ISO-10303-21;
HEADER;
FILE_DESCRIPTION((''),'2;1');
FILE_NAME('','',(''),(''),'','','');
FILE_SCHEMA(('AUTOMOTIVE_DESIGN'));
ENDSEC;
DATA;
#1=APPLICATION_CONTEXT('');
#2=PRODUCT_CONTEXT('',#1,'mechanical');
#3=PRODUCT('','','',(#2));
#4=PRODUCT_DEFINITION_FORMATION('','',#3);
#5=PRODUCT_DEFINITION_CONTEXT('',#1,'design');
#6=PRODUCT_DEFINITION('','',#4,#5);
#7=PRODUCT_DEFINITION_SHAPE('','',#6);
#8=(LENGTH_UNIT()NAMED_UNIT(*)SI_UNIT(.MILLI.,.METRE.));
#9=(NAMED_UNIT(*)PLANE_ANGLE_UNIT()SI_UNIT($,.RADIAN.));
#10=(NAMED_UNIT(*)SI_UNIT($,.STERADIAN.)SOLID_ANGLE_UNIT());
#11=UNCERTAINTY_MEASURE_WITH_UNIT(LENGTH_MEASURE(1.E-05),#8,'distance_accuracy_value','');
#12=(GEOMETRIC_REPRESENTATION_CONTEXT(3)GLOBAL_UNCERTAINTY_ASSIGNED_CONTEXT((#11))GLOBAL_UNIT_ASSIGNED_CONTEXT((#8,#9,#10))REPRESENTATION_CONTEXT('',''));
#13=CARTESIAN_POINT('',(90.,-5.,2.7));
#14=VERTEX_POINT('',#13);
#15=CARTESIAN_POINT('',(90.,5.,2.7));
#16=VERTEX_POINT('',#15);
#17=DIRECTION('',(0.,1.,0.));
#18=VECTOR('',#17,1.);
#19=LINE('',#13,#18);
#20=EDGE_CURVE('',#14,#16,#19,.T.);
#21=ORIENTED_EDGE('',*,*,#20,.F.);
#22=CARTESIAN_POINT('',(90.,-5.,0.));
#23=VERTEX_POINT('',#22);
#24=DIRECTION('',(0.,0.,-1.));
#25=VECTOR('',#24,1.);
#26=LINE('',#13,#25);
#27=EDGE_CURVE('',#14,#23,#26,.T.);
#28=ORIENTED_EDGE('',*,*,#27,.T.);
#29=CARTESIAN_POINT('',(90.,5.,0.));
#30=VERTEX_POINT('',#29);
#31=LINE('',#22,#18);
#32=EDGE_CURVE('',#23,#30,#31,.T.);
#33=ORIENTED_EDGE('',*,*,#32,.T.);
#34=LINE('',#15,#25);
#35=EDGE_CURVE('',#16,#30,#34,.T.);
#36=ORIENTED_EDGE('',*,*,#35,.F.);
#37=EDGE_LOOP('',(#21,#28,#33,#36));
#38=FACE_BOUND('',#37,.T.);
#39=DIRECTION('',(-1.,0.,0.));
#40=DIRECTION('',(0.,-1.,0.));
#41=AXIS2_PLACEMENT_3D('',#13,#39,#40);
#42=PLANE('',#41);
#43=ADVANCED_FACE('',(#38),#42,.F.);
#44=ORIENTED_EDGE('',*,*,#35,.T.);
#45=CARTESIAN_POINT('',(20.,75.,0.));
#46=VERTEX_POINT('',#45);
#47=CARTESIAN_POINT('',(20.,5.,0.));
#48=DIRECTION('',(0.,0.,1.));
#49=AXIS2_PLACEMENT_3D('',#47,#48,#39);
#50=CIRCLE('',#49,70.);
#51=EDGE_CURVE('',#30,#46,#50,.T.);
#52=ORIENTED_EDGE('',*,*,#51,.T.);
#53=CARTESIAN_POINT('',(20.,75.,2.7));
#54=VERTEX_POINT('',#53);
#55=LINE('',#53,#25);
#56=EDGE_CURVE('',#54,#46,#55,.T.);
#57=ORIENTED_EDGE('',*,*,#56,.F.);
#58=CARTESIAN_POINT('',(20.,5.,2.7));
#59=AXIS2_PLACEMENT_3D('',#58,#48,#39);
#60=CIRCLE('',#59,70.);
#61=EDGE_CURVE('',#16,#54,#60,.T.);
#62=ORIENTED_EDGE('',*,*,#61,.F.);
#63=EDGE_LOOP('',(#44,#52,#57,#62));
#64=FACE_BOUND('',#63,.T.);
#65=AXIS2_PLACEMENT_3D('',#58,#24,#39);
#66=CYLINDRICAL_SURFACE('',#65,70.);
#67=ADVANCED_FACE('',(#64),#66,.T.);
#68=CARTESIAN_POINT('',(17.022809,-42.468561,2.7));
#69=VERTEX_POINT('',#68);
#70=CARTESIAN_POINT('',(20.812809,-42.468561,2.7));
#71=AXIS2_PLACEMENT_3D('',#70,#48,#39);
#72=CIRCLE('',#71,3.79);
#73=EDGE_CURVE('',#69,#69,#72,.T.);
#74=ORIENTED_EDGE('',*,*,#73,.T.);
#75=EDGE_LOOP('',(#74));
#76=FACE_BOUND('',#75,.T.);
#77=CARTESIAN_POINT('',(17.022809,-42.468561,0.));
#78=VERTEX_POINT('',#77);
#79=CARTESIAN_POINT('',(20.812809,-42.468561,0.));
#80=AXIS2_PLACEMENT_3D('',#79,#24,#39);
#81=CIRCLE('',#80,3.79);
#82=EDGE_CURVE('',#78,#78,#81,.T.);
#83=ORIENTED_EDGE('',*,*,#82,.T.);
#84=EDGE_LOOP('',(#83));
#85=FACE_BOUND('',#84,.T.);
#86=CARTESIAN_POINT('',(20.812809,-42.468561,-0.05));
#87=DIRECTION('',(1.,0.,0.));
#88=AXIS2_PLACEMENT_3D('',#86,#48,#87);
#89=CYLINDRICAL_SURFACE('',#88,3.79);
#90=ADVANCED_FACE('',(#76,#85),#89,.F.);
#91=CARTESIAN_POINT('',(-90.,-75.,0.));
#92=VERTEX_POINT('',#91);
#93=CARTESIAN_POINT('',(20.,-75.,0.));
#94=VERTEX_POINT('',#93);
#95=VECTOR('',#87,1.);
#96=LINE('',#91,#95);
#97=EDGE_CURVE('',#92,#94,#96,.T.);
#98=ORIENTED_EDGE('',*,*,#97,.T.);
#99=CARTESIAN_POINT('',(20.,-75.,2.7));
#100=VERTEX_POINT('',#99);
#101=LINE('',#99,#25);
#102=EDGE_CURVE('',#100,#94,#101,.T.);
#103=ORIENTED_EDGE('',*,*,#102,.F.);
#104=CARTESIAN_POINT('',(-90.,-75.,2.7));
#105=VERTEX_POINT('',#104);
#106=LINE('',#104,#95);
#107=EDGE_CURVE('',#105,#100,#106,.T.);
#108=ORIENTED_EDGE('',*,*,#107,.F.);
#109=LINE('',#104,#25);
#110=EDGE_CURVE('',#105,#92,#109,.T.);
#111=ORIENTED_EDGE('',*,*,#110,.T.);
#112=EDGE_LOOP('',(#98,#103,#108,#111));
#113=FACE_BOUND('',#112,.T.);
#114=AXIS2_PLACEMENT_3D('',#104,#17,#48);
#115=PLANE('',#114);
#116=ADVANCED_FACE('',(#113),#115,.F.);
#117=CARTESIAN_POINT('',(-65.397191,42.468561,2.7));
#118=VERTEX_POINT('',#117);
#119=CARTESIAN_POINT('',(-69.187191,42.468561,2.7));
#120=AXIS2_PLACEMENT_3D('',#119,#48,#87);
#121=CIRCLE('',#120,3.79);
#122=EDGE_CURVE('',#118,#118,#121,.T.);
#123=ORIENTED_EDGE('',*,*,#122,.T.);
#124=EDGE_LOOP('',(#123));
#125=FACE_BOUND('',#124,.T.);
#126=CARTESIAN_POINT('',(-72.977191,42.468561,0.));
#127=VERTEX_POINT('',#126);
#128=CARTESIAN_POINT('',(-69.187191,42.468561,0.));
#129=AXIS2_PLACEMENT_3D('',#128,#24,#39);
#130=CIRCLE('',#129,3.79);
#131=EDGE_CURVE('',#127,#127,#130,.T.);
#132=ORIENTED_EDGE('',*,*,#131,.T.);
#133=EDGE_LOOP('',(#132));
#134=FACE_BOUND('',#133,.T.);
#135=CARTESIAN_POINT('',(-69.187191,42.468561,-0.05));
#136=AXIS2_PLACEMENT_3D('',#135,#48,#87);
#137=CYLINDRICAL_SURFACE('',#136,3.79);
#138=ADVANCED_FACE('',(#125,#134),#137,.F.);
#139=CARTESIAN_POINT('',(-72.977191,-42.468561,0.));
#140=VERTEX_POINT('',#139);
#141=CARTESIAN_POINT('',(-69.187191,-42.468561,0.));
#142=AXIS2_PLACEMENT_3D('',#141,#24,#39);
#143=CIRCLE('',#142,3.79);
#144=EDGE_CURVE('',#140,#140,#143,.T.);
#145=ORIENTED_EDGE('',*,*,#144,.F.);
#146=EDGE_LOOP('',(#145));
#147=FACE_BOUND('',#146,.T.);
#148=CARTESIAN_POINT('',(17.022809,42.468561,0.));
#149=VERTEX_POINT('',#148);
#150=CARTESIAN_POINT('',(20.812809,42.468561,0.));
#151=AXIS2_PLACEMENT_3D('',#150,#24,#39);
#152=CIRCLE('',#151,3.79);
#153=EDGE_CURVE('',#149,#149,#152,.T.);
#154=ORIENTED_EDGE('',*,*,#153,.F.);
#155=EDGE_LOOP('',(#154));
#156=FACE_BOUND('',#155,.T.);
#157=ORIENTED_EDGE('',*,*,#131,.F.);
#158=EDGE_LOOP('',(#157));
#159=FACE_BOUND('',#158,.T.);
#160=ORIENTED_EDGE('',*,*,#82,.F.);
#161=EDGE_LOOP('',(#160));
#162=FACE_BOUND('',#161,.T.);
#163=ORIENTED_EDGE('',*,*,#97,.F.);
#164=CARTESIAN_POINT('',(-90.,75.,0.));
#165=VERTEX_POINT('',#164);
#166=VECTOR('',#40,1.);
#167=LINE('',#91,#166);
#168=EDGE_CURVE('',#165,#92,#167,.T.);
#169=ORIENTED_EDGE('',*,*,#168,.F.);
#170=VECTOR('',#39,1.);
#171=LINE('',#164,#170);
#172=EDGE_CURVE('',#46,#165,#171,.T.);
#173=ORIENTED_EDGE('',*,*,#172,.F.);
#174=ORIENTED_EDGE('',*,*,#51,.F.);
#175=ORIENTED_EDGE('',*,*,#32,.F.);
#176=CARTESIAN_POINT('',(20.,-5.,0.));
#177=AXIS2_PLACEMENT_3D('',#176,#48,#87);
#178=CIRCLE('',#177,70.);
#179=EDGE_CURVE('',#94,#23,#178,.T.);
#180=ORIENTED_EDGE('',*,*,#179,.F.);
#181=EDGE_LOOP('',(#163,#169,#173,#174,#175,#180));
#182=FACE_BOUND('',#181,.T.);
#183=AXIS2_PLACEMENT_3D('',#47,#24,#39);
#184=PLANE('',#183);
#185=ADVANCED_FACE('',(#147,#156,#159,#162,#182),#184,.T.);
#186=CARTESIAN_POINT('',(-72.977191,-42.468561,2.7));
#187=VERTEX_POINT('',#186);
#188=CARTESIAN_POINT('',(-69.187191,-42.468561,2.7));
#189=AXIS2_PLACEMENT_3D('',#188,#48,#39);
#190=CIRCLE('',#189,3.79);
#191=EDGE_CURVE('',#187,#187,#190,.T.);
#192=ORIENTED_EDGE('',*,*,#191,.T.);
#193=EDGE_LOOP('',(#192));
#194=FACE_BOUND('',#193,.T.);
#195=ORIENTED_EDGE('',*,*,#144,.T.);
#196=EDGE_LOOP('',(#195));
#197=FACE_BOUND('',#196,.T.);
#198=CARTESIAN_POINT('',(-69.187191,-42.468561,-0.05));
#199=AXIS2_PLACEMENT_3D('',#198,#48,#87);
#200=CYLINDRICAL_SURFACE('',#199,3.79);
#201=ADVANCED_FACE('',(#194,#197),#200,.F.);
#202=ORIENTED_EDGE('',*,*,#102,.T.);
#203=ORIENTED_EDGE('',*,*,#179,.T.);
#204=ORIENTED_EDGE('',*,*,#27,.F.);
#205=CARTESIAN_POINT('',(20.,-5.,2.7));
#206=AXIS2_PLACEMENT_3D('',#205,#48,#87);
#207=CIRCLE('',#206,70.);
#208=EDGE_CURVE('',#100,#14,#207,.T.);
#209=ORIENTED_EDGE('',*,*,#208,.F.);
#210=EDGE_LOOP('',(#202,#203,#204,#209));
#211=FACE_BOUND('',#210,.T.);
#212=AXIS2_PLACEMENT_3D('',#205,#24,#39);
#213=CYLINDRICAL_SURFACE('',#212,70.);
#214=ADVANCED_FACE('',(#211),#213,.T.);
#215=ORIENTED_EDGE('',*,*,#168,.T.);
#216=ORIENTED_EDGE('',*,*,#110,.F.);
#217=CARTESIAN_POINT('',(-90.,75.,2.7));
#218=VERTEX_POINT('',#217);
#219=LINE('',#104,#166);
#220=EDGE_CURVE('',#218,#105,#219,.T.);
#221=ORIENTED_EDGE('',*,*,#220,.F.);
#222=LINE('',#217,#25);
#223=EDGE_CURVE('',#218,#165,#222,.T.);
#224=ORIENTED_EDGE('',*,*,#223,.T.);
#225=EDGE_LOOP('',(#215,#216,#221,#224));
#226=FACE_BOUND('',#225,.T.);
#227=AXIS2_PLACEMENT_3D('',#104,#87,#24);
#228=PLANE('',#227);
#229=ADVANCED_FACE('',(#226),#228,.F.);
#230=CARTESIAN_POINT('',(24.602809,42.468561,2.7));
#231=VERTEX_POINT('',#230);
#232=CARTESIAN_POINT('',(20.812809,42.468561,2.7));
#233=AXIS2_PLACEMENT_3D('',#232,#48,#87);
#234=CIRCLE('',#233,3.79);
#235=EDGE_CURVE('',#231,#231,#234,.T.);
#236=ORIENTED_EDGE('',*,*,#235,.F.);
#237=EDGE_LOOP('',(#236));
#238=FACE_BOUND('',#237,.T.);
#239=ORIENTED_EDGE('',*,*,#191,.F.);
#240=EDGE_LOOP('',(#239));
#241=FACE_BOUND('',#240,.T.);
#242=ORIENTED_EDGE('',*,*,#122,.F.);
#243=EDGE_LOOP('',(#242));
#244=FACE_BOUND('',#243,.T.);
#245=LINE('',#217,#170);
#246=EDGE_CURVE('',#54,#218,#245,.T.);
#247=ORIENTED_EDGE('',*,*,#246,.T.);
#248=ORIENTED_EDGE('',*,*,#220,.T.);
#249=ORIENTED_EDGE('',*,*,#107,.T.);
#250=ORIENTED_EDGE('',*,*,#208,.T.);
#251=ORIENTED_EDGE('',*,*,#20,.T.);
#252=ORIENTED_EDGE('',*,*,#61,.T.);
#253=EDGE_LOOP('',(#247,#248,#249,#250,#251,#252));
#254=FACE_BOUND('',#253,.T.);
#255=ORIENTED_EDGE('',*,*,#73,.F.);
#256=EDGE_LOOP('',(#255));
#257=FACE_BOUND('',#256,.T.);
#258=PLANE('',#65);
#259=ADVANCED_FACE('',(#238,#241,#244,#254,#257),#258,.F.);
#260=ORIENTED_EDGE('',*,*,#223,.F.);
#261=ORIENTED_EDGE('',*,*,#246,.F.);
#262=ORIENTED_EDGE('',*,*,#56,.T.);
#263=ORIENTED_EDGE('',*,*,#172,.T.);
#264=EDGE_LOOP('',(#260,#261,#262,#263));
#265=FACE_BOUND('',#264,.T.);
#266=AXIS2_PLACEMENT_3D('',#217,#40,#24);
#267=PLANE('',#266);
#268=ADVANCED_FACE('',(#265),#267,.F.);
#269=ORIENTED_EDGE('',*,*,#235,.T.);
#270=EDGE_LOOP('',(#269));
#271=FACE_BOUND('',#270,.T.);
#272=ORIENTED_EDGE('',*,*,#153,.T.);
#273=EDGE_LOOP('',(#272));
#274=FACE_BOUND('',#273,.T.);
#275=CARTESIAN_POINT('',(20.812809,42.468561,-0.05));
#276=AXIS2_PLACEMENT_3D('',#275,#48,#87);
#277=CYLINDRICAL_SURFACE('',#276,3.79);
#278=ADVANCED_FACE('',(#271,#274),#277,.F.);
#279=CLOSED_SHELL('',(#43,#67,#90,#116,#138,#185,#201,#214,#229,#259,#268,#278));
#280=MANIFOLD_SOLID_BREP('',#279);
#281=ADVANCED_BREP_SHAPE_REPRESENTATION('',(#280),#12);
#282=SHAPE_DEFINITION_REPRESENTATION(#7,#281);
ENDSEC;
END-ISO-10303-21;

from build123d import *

# Parameters (mm, degrees)
Y_KSEKLIK_EKSTR_ZYON3_DEPTH = 2.7
IZIM2_R                     = 3.79
KES_EKSTR_ZYON1_DEPTH       = 2.75


with BuildPart() as part:
    # Çizim1 → Yükseklik-Ekstrüzyon3 (new body)
    with BuildSketch(Plane.XY):
        with BuildLine():
            Line((-90, -75), (20, -75))
            ThreePointArc((20, -75), (69.497474683, -54.497474683), (90, -5))
            Line((90, -5), (90, 5))
            ThreePointArc((90, 5), (69.497474683, 54.497474683), (20, 75))
            Line((20, 75), (-90, 75))
            Line((-90, 75), (-90, -75))
        make_face()
    extrude(amount=Y_KSEKLIK_EKSTR_ZYON3_DEPTH)

    # Çizim2 → Kes-Ekstrüzyon1 (cut)
    with BuildSketch(Plane.XY.offset(2.7)):
        with Locations((-69.187191481, 42.468560625)):
            Circle(IZIM2_R)
        with Locations((20.812808519, 42.468560625)):
            Circle(IZIM2_R)
        with Locations(Location((20.812808519, -42.468560625, 0), (0, 0, 180))):
            Circle(IZIM2_R)
        with Locations(Location((-69.187191481, -42.468560625, 0), (0, 0, 180))):
            Circle(IZIM2_R)
    extrude(amount=-KES_EKSTR_ZYON1_DEPTH, mode=Mode.SUBTRACT)


solid = part.part
